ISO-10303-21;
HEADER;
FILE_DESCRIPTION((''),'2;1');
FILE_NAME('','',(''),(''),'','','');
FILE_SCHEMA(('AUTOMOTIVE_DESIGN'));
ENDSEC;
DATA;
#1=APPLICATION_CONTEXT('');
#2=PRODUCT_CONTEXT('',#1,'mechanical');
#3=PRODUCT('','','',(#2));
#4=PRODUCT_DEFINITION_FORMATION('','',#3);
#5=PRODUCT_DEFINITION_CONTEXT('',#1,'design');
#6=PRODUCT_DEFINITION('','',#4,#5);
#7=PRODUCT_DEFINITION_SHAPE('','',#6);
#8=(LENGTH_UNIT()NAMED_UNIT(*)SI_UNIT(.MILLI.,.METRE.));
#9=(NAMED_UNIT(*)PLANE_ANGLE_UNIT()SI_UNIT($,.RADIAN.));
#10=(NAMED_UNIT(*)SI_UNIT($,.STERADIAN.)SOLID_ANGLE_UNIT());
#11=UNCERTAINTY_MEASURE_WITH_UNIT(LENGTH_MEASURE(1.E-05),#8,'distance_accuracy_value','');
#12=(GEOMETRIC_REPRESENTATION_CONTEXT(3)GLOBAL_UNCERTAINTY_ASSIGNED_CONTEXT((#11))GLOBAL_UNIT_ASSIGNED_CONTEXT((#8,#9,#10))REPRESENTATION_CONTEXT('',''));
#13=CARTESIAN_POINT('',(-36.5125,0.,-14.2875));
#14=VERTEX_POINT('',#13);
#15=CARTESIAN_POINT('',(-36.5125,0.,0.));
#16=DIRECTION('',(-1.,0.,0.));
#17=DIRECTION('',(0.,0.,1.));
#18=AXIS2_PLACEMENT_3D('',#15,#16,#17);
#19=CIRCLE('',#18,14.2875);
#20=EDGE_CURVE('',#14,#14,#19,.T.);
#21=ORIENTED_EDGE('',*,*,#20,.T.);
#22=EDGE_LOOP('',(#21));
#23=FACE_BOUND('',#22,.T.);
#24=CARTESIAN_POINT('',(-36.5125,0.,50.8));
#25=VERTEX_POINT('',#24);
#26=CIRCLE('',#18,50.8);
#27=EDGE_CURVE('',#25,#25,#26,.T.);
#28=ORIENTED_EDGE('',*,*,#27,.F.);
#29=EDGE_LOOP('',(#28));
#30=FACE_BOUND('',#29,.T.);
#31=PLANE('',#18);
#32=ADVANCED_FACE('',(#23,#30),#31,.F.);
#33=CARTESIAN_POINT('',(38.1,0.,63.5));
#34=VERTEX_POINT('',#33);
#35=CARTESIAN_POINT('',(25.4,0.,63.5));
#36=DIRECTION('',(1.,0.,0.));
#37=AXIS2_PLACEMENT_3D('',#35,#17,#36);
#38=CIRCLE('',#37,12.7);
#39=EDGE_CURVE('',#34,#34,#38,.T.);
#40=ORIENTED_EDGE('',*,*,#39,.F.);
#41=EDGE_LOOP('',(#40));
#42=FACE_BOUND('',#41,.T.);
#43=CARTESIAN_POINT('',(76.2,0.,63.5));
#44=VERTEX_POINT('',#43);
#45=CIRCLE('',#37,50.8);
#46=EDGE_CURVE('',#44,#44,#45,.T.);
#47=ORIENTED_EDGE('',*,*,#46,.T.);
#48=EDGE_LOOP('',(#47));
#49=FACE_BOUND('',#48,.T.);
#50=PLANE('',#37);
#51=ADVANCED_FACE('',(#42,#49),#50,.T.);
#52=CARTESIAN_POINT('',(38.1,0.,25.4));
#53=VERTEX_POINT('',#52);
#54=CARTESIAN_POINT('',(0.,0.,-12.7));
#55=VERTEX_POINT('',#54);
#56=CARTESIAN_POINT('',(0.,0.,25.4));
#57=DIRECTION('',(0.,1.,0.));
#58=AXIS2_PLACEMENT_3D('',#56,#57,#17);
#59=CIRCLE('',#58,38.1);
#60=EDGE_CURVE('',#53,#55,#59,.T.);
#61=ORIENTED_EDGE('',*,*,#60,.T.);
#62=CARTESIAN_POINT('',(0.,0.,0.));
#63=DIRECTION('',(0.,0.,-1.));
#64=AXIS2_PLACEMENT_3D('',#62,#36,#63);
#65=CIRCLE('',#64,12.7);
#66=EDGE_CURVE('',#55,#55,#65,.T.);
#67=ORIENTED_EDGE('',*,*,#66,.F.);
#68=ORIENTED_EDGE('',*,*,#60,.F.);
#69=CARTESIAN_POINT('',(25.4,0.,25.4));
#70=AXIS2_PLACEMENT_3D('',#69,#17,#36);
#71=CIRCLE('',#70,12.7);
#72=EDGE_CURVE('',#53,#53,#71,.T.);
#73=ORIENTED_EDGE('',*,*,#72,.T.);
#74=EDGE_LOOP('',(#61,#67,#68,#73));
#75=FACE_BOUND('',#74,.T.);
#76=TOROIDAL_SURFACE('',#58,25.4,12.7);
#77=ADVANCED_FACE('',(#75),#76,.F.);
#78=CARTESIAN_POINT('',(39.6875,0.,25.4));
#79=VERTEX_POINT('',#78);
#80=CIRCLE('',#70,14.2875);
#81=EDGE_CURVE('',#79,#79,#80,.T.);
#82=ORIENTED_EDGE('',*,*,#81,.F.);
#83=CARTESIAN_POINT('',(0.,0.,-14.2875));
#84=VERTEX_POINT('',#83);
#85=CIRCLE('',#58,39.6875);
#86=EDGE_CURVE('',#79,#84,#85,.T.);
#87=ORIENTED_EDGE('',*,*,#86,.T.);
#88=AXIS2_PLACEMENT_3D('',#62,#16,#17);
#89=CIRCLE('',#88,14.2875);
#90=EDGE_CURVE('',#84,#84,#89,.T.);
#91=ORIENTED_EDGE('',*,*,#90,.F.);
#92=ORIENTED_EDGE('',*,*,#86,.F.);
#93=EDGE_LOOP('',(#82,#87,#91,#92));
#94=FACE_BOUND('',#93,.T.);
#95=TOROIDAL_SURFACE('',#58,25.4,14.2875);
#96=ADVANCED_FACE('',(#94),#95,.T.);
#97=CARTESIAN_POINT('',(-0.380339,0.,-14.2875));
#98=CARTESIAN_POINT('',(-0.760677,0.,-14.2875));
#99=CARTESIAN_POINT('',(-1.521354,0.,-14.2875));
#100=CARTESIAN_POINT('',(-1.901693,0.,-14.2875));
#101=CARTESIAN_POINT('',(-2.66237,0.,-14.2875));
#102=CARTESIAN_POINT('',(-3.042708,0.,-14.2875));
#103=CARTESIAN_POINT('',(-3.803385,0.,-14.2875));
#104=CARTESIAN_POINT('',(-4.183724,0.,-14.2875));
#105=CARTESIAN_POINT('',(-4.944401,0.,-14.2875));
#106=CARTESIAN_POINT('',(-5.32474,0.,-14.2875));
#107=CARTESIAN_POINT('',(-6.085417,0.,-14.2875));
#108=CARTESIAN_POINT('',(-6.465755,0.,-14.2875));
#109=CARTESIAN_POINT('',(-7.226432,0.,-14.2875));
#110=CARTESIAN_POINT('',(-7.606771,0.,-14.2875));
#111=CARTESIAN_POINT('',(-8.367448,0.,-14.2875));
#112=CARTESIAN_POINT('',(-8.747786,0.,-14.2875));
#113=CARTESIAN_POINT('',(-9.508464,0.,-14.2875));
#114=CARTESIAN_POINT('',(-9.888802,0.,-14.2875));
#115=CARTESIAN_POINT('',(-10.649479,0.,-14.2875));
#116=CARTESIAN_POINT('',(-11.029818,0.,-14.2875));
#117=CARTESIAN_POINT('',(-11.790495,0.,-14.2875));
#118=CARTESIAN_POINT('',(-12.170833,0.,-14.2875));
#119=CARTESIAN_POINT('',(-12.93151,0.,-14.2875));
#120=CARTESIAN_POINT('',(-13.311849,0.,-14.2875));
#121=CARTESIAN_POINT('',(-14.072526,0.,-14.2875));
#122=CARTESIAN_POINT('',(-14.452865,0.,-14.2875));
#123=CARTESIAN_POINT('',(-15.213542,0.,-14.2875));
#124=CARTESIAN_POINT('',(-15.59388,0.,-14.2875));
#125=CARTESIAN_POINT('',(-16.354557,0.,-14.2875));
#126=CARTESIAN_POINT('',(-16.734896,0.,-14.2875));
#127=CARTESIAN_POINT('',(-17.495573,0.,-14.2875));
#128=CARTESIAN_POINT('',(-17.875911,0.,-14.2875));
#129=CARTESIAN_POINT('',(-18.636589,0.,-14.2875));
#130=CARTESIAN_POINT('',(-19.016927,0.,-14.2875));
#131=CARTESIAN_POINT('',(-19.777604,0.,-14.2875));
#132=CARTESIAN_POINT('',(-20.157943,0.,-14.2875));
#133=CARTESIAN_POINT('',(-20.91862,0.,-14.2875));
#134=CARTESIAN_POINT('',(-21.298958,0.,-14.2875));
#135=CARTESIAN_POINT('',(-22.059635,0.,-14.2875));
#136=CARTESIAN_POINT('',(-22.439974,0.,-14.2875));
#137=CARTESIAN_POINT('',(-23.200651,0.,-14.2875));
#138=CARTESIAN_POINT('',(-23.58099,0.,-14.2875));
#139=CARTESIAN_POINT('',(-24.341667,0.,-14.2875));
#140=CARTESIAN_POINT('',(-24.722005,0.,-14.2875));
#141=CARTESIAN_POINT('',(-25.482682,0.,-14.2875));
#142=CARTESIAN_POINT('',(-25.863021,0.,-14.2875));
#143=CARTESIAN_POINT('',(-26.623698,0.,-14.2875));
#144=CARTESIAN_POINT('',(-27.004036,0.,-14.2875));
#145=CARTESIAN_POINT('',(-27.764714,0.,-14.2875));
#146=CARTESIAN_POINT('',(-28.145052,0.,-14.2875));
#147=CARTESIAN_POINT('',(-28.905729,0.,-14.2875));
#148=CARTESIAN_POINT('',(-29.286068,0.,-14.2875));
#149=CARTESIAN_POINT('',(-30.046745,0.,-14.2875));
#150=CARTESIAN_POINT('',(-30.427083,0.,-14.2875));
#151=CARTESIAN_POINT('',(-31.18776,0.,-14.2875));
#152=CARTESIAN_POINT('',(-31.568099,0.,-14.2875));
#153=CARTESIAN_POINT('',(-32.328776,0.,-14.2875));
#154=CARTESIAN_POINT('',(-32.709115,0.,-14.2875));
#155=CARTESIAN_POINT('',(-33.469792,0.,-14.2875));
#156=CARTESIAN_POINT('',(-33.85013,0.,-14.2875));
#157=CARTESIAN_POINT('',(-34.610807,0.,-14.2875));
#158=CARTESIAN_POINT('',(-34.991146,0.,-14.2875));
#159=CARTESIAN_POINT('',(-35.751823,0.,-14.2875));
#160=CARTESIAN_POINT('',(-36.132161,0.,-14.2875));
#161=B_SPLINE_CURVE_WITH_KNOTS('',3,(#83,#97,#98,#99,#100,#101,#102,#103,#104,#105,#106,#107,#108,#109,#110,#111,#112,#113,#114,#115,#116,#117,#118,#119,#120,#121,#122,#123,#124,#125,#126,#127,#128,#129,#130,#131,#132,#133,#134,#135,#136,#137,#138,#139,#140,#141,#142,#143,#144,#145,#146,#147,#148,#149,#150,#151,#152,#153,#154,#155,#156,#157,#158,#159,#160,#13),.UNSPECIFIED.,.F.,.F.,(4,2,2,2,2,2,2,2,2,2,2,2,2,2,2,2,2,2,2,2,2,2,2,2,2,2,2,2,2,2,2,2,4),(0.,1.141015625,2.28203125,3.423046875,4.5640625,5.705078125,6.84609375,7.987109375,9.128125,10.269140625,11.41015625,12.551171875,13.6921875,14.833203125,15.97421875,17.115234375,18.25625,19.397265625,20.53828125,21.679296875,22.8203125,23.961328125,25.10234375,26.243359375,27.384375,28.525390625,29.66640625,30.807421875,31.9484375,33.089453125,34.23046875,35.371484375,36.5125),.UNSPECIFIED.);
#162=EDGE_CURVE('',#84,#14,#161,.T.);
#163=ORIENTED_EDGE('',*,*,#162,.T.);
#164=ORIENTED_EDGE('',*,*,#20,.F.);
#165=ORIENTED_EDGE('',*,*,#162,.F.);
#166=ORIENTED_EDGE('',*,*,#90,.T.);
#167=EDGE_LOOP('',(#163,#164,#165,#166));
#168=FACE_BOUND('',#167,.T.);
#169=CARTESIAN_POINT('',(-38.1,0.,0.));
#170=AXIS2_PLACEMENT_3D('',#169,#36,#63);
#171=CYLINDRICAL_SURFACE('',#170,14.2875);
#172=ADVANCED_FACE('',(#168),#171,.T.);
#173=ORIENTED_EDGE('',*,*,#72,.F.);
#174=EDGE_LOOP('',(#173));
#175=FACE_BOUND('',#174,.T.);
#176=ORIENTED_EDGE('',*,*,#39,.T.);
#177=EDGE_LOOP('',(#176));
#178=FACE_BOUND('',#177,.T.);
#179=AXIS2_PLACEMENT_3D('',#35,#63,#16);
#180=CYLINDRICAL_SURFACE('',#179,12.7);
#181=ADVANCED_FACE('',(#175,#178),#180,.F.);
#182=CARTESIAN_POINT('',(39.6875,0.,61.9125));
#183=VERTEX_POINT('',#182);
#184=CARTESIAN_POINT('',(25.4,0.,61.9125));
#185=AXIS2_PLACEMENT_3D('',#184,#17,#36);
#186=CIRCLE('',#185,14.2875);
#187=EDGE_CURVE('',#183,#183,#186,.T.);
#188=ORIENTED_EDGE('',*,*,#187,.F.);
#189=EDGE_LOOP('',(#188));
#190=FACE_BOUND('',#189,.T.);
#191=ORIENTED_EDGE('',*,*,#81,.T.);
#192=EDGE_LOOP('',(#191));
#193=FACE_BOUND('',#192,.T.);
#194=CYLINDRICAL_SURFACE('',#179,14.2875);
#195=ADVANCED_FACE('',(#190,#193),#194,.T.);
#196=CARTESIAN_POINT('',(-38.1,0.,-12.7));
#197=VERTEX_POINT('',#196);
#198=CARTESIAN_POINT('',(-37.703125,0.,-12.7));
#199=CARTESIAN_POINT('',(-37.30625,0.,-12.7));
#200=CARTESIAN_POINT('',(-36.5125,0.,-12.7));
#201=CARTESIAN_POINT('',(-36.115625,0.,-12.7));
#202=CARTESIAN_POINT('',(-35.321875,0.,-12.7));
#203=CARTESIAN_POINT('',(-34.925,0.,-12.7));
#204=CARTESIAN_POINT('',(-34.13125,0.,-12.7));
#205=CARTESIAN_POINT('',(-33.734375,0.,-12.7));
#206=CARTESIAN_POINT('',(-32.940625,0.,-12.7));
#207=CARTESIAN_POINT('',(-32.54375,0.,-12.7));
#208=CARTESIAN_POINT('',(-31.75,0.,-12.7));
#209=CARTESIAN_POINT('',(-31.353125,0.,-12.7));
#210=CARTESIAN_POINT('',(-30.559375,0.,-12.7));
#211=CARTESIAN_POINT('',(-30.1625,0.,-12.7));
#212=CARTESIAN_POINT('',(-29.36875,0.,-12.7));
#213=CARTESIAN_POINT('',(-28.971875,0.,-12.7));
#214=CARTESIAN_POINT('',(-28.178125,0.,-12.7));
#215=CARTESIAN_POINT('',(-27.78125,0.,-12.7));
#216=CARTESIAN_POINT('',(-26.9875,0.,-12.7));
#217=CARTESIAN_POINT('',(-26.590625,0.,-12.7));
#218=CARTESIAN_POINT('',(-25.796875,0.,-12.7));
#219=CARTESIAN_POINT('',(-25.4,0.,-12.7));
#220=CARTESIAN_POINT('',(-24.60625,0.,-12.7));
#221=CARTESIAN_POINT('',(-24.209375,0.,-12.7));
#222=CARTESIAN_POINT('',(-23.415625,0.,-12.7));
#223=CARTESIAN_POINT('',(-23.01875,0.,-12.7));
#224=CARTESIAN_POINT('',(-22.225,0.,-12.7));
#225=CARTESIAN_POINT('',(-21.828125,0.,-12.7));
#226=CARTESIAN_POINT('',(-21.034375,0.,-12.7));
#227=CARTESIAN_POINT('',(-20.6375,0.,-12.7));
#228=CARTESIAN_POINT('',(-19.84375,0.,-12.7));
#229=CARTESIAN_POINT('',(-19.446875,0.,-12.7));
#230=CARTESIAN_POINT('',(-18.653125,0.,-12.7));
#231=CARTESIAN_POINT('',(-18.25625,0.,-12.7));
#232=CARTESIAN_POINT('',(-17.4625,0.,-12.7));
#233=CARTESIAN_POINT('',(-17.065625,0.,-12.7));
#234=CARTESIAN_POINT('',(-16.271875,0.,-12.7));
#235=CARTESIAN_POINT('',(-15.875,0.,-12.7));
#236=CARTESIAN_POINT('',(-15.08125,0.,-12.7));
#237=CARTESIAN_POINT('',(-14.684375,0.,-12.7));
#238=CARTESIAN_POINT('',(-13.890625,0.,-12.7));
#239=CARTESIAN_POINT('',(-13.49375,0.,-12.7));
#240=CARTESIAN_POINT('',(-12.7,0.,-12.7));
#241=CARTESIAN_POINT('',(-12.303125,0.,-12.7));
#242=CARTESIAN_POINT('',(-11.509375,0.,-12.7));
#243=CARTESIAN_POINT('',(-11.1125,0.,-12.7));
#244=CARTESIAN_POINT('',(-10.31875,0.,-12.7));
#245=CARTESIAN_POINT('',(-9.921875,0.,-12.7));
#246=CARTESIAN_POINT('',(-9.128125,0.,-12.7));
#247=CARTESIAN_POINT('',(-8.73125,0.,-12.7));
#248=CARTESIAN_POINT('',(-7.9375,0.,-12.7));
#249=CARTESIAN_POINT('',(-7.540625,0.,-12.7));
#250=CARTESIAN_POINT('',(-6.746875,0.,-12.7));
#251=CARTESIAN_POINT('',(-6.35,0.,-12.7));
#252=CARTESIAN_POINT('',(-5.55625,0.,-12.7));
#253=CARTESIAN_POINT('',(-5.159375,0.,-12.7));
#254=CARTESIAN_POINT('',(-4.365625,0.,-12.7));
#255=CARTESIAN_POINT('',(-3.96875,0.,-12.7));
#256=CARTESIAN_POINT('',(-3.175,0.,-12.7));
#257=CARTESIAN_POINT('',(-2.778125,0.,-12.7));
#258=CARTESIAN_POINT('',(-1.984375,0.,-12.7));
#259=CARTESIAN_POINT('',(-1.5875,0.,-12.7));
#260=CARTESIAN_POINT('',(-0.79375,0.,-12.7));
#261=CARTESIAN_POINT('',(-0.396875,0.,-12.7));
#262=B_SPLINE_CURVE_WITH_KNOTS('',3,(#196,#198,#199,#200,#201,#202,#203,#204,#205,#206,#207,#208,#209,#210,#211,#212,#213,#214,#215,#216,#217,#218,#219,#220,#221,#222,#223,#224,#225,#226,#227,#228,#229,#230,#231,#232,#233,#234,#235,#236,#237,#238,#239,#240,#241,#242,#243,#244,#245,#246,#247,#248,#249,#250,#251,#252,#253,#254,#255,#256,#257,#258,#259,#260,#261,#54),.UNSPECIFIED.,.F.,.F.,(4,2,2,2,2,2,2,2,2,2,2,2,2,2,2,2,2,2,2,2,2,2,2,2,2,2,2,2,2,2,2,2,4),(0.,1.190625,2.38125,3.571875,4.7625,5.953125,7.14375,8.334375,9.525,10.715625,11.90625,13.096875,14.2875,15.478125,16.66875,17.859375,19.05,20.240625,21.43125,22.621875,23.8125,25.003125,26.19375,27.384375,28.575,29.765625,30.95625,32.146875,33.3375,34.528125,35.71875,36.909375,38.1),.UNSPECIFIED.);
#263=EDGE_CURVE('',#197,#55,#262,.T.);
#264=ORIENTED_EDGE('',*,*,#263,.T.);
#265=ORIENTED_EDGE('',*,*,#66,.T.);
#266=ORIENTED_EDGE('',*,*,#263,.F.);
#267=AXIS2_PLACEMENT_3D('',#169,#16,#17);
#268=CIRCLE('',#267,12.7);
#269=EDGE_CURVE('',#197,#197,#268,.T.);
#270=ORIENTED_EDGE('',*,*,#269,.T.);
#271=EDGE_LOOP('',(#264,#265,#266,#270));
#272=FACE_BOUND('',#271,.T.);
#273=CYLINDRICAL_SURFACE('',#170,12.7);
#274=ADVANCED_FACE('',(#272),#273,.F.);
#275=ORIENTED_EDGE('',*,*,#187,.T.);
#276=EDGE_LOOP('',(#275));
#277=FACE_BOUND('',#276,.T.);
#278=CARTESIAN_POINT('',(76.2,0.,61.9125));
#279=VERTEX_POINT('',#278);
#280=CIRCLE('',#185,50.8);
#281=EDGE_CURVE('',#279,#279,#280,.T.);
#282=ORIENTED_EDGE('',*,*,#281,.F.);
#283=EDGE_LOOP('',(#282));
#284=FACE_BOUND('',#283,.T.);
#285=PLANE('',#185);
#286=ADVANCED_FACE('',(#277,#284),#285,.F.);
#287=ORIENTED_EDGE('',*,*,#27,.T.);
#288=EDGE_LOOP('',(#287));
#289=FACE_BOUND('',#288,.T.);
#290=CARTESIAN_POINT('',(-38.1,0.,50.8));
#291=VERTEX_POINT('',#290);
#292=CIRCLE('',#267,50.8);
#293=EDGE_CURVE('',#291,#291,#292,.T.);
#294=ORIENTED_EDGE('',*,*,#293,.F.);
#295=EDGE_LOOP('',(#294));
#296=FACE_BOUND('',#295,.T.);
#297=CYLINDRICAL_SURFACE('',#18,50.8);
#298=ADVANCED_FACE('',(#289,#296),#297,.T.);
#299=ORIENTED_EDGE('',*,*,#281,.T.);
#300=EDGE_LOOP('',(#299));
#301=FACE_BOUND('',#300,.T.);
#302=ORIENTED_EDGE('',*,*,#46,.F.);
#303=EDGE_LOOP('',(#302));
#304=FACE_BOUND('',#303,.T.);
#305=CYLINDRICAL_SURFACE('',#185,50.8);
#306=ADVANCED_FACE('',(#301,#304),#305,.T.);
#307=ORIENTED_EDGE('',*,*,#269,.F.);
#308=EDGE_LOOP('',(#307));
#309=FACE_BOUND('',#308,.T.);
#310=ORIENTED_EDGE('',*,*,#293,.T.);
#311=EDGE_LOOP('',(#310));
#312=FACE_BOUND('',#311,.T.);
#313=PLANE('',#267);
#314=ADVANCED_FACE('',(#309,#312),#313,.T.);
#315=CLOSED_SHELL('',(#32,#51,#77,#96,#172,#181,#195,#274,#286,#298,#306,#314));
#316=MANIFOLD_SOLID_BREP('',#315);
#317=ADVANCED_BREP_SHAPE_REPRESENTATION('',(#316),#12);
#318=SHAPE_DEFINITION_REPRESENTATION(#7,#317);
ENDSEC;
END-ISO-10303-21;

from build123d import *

# Parameters (mm, degrees)
SKETCH1_R           = 14.2875
SKETCH1_R_2         = 12.7
REVOLVE1_ANGLE      = 90
SKETCH2_R           = 14.2875
SKETCH2_R_2         = 12.7
BOSS_EXTRUDE1_DEPTH = 38.1
SKETCH3_R           = 14.2875
SKETCH3_R_2         = 12.7
BOSS_EXTRUDE2_DEPTH = 38.1
BOSS_EXTRUDE3_START = -1.5875
SKETCH4_R           = 50.8
SKETCH4_R_2         = 12.7
BOSS_EXTRUDE3_DEPTH = 1.5875
BOSS_EXTRUDE4_START = -1.5875
SKETCH5_R           = 50.8
SKETCH5_R_2         = 12.7
BOSS_EXTRUDE4_DEPTH = 1.5875


with BuildPart() as part:
    # Sketch1 → Revolve1 (revolve)
    with BuildSketch(Plane(origin=(0, 0, 0), x_dir=(0, 0, -1), z_dir=(1, 0, 0))):
        Circle(SKETCH1_R)
        Circle(SKETCH1_R_2, mode=Mode.SUBTRACT)
    revolve(axis=Axis((0, 0, 25.4), (0, -1, 0)), revolution_arc=REVOLVE1_ANGLE)

    # Sketch2 → Boss-Extrude1 (add)
    with BuildSketch(Plane.XY.offset(25.4)):
        with Locations((25.4, 0)):
            Circle(SKETCH2_R)
        with Locations((25.4, 0)):
            Circle(SKETCH2_R_2, mode=Mode.SUBTRACT)
    extrude(amount=BOSS_EXTRUDE1_DEPTH)

    # Sketch3 → Boss-Extrude2 (add)
    with BuildSketch(Plane.ZY):
        with Locations(Location((0, 0, 0), (0, 0, 180))):
            Circle(SKETCH3_R)
        with Locations(Location((0, 0, 0), (0, 0, 180))):
            Circle(SKETCH3_R_2, mode=Mode.SUBTRACT)
    extrude(amount=BOSS_EXTRUDE2_DEPTH)

    # Sketch4 → Boss-Extrude3 (add)
    with BuildSketch(Plane.ZY.offset(38.1).offset(BOSS_EXTRUDE3_START)):
        Circle(SKETCH4_R)
        with Locations(Location((0, 0, 0), (0, 0, 180))):
            Circle(SKETCH4_R_2, mode=Mode.SUBTRACT)
    extrude(amount=BOSS_EXTRUDE3_DEPTH)

    # Sketch5 → Boss-Extrude4 (add)
    with BuildSketch(Plane.XY.offset(63.5).offset(BOSS_EXTRUDE4_START)):
        with Locations((25.4, 0)):
            Circle(SKETCH5_R)
        with Locations((25.4, 0)):
            Circle(SKETCH5_R_2, mode=Mode.SUBTRACT)
    extrude(amount=BOSS_EXTRUDE4_DEPTH)


solid = part.part
